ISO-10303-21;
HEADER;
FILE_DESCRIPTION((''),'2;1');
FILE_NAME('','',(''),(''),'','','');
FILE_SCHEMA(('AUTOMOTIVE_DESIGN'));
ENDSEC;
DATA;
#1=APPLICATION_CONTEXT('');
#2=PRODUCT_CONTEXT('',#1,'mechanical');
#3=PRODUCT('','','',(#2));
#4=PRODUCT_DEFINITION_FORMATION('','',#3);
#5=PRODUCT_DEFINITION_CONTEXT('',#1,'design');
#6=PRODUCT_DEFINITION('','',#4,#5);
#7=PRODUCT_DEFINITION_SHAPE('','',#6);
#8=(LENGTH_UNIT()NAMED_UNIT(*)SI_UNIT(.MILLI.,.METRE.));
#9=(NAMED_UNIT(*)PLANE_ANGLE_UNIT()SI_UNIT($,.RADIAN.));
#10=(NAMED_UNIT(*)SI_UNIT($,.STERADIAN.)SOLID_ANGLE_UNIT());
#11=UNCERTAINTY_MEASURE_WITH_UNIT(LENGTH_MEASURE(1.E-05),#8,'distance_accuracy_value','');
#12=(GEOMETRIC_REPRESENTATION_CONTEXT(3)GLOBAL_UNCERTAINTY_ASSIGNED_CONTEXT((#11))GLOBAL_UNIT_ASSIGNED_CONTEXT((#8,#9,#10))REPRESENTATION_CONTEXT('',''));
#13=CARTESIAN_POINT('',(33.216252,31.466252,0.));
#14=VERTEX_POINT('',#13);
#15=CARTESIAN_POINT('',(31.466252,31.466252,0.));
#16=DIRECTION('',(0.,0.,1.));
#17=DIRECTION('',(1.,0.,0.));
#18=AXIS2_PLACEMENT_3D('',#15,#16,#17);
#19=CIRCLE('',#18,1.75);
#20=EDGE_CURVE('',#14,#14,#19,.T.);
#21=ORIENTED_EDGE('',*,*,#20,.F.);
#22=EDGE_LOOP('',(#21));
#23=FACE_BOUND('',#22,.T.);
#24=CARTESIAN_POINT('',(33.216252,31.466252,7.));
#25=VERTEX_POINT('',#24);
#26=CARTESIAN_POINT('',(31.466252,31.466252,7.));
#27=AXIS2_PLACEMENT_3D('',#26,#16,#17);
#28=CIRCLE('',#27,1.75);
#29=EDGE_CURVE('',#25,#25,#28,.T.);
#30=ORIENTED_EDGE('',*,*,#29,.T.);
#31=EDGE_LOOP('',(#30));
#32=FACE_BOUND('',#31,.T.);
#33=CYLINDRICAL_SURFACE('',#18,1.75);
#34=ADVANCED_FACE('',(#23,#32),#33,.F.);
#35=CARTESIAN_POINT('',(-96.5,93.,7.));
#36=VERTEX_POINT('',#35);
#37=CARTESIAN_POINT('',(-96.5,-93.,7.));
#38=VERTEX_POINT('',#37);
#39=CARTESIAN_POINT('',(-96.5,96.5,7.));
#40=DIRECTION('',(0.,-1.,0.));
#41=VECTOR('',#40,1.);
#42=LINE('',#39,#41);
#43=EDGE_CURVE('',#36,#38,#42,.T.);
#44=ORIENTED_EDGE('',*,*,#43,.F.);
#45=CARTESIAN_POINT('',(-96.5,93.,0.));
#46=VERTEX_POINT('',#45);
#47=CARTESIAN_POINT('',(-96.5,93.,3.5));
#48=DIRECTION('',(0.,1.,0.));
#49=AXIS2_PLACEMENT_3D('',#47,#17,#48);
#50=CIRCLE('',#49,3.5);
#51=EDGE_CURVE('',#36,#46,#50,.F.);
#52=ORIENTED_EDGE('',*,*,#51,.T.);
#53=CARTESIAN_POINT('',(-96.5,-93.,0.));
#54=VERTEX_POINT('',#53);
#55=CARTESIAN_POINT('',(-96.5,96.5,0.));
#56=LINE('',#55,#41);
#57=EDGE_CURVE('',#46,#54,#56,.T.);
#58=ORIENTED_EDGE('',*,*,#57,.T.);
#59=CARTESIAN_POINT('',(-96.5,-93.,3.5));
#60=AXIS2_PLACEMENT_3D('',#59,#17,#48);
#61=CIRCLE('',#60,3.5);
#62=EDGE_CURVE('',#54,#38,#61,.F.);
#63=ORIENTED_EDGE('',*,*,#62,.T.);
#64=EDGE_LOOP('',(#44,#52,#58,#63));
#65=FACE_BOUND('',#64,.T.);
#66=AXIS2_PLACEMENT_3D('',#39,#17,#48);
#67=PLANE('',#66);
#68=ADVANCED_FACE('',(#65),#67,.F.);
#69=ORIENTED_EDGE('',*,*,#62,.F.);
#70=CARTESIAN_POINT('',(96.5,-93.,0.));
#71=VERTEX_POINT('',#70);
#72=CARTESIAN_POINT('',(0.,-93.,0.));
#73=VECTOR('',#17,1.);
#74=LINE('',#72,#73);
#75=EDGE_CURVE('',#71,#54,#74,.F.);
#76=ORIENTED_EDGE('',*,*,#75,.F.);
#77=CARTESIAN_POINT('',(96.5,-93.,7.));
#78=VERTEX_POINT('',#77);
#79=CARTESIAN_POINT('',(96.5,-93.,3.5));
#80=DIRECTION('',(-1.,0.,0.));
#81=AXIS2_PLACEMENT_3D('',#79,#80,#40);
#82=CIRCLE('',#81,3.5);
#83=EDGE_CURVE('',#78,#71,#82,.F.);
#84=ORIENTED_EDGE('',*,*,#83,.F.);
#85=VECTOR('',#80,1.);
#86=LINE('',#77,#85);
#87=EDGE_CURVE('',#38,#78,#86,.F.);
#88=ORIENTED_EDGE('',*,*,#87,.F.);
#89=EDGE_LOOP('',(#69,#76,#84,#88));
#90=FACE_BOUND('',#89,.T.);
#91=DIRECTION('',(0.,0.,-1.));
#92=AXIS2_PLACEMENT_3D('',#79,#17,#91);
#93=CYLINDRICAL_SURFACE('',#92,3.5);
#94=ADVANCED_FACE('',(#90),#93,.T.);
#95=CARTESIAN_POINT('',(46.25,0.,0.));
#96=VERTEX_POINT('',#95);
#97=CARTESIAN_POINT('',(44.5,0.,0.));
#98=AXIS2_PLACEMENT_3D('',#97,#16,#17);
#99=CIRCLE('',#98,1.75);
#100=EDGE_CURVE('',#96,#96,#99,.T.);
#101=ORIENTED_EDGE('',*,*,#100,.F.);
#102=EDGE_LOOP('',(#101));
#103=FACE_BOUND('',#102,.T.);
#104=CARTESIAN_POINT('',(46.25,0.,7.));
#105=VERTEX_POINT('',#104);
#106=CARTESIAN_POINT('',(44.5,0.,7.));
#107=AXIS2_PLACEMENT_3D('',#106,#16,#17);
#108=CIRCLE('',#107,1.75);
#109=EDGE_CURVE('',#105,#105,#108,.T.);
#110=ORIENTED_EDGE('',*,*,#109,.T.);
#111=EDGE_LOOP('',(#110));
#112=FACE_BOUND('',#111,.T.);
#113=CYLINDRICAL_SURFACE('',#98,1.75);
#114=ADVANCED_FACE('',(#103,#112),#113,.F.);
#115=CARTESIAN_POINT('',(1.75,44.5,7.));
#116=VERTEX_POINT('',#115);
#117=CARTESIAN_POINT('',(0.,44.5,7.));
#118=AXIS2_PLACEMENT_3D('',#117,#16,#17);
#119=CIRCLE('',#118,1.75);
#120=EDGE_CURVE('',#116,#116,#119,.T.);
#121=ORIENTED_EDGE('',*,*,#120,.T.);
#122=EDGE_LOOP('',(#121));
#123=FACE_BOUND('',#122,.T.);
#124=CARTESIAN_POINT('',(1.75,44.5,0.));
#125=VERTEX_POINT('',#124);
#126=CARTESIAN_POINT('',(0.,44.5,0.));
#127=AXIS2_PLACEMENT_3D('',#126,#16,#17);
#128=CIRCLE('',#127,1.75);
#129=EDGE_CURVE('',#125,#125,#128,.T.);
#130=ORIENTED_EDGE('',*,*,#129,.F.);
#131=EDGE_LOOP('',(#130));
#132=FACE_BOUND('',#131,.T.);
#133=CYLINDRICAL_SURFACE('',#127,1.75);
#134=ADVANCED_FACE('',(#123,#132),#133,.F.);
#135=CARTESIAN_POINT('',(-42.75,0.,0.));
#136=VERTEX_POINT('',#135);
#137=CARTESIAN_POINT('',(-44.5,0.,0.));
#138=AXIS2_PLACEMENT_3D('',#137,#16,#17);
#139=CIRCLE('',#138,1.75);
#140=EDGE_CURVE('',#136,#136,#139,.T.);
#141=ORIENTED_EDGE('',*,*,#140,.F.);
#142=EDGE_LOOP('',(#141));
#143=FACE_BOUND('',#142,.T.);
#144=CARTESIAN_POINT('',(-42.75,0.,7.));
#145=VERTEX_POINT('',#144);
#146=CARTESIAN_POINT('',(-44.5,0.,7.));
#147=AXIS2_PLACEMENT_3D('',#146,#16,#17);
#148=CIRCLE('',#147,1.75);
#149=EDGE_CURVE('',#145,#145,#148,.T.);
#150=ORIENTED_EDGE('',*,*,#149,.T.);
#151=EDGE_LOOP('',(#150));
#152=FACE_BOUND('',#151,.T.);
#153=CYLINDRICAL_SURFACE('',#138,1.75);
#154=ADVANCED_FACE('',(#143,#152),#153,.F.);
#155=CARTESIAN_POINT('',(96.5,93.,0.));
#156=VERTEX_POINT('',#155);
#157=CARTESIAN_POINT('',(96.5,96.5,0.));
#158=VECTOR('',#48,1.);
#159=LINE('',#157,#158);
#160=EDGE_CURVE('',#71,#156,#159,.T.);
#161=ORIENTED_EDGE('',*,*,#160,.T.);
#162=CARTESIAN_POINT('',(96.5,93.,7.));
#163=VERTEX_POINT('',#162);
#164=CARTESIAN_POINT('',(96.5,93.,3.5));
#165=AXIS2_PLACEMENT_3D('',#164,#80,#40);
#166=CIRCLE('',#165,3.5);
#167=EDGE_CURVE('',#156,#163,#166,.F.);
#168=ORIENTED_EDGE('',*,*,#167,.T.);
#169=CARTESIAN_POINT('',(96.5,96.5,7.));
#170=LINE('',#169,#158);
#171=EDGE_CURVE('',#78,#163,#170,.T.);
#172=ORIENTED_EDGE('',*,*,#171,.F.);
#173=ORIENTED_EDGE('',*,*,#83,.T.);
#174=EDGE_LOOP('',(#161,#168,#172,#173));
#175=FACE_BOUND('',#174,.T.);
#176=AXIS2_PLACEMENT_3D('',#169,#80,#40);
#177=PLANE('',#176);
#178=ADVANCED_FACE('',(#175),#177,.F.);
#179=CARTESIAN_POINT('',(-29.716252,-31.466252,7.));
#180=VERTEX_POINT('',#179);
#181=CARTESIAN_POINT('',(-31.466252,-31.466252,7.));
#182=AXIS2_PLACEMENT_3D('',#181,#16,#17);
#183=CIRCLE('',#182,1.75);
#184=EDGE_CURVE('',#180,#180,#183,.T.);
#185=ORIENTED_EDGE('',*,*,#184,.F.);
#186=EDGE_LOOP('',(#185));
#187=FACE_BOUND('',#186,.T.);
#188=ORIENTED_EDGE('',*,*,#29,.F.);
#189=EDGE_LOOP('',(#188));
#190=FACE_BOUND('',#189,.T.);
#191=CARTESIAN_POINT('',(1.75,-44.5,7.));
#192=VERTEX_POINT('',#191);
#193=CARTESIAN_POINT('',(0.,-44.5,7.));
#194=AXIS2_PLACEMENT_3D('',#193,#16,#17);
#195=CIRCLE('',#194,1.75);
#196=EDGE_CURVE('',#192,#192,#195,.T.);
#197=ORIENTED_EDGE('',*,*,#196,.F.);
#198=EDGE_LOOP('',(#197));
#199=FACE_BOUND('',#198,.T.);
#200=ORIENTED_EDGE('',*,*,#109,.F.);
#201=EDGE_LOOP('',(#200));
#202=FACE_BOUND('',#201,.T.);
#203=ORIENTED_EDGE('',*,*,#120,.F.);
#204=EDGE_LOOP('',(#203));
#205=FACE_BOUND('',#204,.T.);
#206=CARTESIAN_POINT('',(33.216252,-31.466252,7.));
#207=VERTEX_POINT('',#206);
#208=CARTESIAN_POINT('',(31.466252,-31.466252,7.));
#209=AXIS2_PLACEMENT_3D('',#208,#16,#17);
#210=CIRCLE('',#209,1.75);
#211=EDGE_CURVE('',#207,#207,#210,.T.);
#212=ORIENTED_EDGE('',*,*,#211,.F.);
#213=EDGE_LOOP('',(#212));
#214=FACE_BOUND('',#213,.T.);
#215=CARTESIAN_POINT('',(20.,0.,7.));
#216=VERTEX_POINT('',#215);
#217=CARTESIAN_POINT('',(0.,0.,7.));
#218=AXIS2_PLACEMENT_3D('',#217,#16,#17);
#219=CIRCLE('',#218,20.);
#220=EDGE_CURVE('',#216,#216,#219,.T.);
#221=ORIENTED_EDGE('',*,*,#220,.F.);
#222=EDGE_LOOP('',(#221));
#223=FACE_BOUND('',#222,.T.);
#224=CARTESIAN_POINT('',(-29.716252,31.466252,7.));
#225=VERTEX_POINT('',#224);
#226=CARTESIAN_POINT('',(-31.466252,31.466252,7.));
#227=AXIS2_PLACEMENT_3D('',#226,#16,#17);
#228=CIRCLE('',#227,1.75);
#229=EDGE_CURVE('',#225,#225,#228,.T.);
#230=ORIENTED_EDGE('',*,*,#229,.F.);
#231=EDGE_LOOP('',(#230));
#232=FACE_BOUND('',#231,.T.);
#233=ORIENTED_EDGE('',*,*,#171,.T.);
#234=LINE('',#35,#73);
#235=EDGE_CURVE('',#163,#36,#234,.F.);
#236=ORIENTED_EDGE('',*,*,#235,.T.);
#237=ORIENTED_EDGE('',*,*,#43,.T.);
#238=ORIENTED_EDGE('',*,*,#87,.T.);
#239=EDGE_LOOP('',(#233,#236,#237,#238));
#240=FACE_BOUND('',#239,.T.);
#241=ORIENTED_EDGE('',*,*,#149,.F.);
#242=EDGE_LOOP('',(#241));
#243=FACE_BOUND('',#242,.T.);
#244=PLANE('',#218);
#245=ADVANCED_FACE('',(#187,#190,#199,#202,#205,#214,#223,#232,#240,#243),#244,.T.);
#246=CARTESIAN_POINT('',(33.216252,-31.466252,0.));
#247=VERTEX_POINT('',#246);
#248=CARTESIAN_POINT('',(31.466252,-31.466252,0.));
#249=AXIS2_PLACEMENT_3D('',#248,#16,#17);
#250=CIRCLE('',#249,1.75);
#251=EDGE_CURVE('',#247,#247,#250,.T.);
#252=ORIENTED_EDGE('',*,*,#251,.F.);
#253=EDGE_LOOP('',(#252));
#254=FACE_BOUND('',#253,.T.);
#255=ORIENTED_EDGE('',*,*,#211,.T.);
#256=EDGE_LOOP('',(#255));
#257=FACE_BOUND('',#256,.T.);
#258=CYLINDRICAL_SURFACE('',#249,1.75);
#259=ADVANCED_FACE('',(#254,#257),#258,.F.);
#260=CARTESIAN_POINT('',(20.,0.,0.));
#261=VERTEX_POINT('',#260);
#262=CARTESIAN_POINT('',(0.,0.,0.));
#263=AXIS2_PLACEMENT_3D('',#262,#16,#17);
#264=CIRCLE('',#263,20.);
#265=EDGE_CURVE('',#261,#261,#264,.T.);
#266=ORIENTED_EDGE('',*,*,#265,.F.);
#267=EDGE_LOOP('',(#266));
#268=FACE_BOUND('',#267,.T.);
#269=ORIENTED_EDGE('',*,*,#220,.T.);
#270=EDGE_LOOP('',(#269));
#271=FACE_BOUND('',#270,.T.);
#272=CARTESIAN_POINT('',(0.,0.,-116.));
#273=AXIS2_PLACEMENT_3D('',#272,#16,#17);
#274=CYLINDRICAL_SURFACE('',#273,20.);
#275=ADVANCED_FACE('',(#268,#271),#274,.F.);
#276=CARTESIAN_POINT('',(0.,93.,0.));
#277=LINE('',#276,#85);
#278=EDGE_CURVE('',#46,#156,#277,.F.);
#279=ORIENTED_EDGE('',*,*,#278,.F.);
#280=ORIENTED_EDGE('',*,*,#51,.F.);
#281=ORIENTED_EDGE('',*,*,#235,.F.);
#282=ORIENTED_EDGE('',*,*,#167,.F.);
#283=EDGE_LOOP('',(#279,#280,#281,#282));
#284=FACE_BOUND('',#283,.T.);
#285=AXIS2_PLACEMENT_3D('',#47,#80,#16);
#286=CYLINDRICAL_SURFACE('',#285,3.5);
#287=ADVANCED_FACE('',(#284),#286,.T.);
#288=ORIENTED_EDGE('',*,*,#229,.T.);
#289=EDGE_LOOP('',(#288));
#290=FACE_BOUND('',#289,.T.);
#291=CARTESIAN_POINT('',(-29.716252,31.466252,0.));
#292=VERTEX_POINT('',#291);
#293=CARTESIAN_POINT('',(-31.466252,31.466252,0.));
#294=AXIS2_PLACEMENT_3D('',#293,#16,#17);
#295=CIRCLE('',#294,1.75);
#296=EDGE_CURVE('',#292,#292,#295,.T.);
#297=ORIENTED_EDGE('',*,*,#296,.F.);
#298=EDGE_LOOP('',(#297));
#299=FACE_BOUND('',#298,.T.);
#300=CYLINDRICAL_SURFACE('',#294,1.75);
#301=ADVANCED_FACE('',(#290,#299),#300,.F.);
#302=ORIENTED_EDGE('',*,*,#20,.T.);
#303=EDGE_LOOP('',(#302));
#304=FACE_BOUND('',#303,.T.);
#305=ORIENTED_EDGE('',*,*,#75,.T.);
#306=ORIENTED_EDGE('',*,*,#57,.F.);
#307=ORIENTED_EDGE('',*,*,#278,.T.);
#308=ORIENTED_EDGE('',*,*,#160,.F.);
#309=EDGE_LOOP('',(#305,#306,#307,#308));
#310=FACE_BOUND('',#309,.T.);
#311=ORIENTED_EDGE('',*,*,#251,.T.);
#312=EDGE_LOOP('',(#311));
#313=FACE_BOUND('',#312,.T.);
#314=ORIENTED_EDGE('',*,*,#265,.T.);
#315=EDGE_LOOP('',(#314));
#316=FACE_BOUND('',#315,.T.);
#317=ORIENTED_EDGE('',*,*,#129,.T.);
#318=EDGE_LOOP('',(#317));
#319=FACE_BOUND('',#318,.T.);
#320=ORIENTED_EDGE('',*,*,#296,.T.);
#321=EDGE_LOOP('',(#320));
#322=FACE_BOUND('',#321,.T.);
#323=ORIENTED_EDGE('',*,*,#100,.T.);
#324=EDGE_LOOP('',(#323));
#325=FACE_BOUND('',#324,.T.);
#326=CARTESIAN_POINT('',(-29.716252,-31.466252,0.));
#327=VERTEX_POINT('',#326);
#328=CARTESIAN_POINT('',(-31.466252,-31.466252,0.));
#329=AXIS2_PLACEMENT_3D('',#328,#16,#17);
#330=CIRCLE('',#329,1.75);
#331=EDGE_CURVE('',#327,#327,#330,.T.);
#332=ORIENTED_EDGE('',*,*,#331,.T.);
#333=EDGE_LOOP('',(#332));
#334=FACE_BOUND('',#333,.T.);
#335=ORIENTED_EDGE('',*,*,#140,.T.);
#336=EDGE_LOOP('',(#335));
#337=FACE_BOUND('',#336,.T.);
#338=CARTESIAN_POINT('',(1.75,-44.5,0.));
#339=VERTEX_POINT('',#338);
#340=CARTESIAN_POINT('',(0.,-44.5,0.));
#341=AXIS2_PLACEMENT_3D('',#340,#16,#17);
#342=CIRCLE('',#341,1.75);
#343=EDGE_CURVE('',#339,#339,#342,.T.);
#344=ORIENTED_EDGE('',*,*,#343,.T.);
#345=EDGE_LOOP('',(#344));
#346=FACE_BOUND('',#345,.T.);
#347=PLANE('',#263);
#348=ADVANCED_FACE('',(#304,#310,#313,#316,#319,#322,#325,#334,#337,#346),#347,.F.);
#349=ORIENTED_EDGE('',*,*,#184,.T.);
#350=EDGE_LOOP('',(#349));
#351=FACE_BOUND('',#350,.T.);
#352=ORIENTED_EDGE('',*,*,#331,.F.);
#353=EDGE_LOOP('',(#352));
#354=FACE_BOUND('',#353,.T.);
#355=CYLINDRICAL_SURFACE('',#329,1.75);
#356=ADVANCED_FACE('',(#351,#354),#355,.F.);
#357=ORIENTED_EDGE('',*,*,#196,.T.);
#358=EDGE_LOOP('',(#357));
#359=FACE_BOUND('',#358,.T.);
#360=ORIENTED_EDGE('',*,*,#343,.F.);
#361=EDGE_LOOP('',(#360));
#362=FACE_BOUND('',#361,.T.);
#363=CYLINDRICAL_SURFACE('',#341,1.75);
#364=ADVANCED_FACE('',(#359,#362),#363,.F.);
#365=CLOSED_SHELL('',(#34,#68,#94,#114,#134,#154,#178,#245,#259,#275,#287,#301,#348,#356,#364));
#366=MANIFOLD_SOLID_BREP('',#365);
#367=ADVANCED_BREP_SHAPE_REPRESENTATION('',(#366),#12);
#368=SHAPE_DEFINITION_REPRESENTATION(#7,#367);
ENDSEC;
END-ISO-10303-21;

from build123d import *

# Parameters (mm, degrees)
SKETCH_1_W          = 193
SKETCH_1_H          = 193
EXTRUDE_1_DEPTH     = 7
SKETCH_2_R          = 20
CUT_EXTRUDE_1_DEPTH = 123
SKETCH_3_R          = 1.75
CUT_EXTRUDE_2_DEPTH = 137.651015364
FILLET_2_RADIUS     = 3.5
FILLET_2_LENGTH     = 193
FILLET_4_RADIUS     = 3.5
FILLET_4_LENGTH     = 193


with BuildPart() as part:
    # 草图1 → 凸台-拉伸1 (new body)
    with BuildSketch(Plane.XY):
        Rectangle(SKETCH_1_W, SKETCH_1_H)
    extrude(amount=EXTRUDE_1_DEPTH)

    # 草图2 → 切除-拉伸1 (cut)
    with BuildSketch(Plane.XY.offset(7)):
        Circle(SKETCH_2_R)
    extrude(amount=-CUT_EXTRUDE_1_DEPTH, mode=Mode.SUBTRACT)

    # 草图3 → 切除-拉伸2 (cut, through all)
    with BuildSketch(Plane.XY.offset(7)):
        with Locations((0, 44.5)):
            Circle(SKETCH_3_R)
        with Locations((31.466251763, 31.466251763)):
            Circle(SKETCH_3_R)
        with Locations((44.5, 0)):
            Circle(SKETCH_3_R)
        with Locations((31.466251763, -31.466251763)):
            Circle(SKETCH_3_R)
        with Locations((0, -44.5)):
            Circle(SKETCH_3_R)
        with Locations((-31.466251763, -31.466251763)):
            Circle(SKETCH_3_R)
        with Locations((-44.5, 0)):
            Circle(SKETCH_3_R)
        with Locations((-31.466251763, 31.466251763)):
            Circle(SKETCH_3_R)
    extrude(amount=-CUT_EXTRUDE_2_DEPTH, mode=Mode.SUBTRACT)

    # 圆角2: full round fillet: the end face becomes a half cylinder, R = half its width
    fillet_2_face = Plane((0, 96.5, 3.5), x_dir=(-1, 0, 0), z_dir=(0, 1, 0))  # on the end face: x along it, z out of the body
    fillet_2_slab = fillet_2_face.offset(-FILLET_2_RADIUS / 2) * Box(FILLET_2_LENGTH, 2 * FILLET_2_RADIUS, FILLET_2_RADIUS, mode=Mode.PRIVATE)  # the body's end, R deep
    fillet_2_round = Plane((0, 93, 3.5), x_dir=(0, 1, 0), z_dir=(-1, 0, 0)) * Cylinder(FILLET_2_RADIUS, FILLET_2_LENGTH, mode=Mode.PRIVATE)  # its axis R under the face
    add(fillet_2_slab - fillet_2_round, mode=Mode.SUBTRACT)

    # 圆角4: full round fillet: the end face becomes a half cylinder, R = half its width
    fillet_4_face = Plane((0, -96.5, 3.5), x_dir=(-1, 0, 0), z_dir=(0, -1, 0))  # on the end face: x along it, z out of the body
    fillet_4_slab = fillet_4_face.offset(-FILLET_4_RADIUS / 2) * Box(FILLET_4_LENGTH, 2 * FILLET_4_RADIUS, FILLET_4_RADIUS, mode=Mode.PRIVATE)  # the body's end, R deep
    fillet_4_round = Plane((0, -93, 3.5), x_dir=(0, -1, 0), z_dir=(-1, 0, 0)) * Cylinder(FILLET_4_RADIUS, FILLET_4_LENGTH, mode=Mode.PRIVATE)  # its axis R under the face
    add(fillet_4_slab - fillet_4_round, mode=Mode.SUBTRACT)


solid = part.part
